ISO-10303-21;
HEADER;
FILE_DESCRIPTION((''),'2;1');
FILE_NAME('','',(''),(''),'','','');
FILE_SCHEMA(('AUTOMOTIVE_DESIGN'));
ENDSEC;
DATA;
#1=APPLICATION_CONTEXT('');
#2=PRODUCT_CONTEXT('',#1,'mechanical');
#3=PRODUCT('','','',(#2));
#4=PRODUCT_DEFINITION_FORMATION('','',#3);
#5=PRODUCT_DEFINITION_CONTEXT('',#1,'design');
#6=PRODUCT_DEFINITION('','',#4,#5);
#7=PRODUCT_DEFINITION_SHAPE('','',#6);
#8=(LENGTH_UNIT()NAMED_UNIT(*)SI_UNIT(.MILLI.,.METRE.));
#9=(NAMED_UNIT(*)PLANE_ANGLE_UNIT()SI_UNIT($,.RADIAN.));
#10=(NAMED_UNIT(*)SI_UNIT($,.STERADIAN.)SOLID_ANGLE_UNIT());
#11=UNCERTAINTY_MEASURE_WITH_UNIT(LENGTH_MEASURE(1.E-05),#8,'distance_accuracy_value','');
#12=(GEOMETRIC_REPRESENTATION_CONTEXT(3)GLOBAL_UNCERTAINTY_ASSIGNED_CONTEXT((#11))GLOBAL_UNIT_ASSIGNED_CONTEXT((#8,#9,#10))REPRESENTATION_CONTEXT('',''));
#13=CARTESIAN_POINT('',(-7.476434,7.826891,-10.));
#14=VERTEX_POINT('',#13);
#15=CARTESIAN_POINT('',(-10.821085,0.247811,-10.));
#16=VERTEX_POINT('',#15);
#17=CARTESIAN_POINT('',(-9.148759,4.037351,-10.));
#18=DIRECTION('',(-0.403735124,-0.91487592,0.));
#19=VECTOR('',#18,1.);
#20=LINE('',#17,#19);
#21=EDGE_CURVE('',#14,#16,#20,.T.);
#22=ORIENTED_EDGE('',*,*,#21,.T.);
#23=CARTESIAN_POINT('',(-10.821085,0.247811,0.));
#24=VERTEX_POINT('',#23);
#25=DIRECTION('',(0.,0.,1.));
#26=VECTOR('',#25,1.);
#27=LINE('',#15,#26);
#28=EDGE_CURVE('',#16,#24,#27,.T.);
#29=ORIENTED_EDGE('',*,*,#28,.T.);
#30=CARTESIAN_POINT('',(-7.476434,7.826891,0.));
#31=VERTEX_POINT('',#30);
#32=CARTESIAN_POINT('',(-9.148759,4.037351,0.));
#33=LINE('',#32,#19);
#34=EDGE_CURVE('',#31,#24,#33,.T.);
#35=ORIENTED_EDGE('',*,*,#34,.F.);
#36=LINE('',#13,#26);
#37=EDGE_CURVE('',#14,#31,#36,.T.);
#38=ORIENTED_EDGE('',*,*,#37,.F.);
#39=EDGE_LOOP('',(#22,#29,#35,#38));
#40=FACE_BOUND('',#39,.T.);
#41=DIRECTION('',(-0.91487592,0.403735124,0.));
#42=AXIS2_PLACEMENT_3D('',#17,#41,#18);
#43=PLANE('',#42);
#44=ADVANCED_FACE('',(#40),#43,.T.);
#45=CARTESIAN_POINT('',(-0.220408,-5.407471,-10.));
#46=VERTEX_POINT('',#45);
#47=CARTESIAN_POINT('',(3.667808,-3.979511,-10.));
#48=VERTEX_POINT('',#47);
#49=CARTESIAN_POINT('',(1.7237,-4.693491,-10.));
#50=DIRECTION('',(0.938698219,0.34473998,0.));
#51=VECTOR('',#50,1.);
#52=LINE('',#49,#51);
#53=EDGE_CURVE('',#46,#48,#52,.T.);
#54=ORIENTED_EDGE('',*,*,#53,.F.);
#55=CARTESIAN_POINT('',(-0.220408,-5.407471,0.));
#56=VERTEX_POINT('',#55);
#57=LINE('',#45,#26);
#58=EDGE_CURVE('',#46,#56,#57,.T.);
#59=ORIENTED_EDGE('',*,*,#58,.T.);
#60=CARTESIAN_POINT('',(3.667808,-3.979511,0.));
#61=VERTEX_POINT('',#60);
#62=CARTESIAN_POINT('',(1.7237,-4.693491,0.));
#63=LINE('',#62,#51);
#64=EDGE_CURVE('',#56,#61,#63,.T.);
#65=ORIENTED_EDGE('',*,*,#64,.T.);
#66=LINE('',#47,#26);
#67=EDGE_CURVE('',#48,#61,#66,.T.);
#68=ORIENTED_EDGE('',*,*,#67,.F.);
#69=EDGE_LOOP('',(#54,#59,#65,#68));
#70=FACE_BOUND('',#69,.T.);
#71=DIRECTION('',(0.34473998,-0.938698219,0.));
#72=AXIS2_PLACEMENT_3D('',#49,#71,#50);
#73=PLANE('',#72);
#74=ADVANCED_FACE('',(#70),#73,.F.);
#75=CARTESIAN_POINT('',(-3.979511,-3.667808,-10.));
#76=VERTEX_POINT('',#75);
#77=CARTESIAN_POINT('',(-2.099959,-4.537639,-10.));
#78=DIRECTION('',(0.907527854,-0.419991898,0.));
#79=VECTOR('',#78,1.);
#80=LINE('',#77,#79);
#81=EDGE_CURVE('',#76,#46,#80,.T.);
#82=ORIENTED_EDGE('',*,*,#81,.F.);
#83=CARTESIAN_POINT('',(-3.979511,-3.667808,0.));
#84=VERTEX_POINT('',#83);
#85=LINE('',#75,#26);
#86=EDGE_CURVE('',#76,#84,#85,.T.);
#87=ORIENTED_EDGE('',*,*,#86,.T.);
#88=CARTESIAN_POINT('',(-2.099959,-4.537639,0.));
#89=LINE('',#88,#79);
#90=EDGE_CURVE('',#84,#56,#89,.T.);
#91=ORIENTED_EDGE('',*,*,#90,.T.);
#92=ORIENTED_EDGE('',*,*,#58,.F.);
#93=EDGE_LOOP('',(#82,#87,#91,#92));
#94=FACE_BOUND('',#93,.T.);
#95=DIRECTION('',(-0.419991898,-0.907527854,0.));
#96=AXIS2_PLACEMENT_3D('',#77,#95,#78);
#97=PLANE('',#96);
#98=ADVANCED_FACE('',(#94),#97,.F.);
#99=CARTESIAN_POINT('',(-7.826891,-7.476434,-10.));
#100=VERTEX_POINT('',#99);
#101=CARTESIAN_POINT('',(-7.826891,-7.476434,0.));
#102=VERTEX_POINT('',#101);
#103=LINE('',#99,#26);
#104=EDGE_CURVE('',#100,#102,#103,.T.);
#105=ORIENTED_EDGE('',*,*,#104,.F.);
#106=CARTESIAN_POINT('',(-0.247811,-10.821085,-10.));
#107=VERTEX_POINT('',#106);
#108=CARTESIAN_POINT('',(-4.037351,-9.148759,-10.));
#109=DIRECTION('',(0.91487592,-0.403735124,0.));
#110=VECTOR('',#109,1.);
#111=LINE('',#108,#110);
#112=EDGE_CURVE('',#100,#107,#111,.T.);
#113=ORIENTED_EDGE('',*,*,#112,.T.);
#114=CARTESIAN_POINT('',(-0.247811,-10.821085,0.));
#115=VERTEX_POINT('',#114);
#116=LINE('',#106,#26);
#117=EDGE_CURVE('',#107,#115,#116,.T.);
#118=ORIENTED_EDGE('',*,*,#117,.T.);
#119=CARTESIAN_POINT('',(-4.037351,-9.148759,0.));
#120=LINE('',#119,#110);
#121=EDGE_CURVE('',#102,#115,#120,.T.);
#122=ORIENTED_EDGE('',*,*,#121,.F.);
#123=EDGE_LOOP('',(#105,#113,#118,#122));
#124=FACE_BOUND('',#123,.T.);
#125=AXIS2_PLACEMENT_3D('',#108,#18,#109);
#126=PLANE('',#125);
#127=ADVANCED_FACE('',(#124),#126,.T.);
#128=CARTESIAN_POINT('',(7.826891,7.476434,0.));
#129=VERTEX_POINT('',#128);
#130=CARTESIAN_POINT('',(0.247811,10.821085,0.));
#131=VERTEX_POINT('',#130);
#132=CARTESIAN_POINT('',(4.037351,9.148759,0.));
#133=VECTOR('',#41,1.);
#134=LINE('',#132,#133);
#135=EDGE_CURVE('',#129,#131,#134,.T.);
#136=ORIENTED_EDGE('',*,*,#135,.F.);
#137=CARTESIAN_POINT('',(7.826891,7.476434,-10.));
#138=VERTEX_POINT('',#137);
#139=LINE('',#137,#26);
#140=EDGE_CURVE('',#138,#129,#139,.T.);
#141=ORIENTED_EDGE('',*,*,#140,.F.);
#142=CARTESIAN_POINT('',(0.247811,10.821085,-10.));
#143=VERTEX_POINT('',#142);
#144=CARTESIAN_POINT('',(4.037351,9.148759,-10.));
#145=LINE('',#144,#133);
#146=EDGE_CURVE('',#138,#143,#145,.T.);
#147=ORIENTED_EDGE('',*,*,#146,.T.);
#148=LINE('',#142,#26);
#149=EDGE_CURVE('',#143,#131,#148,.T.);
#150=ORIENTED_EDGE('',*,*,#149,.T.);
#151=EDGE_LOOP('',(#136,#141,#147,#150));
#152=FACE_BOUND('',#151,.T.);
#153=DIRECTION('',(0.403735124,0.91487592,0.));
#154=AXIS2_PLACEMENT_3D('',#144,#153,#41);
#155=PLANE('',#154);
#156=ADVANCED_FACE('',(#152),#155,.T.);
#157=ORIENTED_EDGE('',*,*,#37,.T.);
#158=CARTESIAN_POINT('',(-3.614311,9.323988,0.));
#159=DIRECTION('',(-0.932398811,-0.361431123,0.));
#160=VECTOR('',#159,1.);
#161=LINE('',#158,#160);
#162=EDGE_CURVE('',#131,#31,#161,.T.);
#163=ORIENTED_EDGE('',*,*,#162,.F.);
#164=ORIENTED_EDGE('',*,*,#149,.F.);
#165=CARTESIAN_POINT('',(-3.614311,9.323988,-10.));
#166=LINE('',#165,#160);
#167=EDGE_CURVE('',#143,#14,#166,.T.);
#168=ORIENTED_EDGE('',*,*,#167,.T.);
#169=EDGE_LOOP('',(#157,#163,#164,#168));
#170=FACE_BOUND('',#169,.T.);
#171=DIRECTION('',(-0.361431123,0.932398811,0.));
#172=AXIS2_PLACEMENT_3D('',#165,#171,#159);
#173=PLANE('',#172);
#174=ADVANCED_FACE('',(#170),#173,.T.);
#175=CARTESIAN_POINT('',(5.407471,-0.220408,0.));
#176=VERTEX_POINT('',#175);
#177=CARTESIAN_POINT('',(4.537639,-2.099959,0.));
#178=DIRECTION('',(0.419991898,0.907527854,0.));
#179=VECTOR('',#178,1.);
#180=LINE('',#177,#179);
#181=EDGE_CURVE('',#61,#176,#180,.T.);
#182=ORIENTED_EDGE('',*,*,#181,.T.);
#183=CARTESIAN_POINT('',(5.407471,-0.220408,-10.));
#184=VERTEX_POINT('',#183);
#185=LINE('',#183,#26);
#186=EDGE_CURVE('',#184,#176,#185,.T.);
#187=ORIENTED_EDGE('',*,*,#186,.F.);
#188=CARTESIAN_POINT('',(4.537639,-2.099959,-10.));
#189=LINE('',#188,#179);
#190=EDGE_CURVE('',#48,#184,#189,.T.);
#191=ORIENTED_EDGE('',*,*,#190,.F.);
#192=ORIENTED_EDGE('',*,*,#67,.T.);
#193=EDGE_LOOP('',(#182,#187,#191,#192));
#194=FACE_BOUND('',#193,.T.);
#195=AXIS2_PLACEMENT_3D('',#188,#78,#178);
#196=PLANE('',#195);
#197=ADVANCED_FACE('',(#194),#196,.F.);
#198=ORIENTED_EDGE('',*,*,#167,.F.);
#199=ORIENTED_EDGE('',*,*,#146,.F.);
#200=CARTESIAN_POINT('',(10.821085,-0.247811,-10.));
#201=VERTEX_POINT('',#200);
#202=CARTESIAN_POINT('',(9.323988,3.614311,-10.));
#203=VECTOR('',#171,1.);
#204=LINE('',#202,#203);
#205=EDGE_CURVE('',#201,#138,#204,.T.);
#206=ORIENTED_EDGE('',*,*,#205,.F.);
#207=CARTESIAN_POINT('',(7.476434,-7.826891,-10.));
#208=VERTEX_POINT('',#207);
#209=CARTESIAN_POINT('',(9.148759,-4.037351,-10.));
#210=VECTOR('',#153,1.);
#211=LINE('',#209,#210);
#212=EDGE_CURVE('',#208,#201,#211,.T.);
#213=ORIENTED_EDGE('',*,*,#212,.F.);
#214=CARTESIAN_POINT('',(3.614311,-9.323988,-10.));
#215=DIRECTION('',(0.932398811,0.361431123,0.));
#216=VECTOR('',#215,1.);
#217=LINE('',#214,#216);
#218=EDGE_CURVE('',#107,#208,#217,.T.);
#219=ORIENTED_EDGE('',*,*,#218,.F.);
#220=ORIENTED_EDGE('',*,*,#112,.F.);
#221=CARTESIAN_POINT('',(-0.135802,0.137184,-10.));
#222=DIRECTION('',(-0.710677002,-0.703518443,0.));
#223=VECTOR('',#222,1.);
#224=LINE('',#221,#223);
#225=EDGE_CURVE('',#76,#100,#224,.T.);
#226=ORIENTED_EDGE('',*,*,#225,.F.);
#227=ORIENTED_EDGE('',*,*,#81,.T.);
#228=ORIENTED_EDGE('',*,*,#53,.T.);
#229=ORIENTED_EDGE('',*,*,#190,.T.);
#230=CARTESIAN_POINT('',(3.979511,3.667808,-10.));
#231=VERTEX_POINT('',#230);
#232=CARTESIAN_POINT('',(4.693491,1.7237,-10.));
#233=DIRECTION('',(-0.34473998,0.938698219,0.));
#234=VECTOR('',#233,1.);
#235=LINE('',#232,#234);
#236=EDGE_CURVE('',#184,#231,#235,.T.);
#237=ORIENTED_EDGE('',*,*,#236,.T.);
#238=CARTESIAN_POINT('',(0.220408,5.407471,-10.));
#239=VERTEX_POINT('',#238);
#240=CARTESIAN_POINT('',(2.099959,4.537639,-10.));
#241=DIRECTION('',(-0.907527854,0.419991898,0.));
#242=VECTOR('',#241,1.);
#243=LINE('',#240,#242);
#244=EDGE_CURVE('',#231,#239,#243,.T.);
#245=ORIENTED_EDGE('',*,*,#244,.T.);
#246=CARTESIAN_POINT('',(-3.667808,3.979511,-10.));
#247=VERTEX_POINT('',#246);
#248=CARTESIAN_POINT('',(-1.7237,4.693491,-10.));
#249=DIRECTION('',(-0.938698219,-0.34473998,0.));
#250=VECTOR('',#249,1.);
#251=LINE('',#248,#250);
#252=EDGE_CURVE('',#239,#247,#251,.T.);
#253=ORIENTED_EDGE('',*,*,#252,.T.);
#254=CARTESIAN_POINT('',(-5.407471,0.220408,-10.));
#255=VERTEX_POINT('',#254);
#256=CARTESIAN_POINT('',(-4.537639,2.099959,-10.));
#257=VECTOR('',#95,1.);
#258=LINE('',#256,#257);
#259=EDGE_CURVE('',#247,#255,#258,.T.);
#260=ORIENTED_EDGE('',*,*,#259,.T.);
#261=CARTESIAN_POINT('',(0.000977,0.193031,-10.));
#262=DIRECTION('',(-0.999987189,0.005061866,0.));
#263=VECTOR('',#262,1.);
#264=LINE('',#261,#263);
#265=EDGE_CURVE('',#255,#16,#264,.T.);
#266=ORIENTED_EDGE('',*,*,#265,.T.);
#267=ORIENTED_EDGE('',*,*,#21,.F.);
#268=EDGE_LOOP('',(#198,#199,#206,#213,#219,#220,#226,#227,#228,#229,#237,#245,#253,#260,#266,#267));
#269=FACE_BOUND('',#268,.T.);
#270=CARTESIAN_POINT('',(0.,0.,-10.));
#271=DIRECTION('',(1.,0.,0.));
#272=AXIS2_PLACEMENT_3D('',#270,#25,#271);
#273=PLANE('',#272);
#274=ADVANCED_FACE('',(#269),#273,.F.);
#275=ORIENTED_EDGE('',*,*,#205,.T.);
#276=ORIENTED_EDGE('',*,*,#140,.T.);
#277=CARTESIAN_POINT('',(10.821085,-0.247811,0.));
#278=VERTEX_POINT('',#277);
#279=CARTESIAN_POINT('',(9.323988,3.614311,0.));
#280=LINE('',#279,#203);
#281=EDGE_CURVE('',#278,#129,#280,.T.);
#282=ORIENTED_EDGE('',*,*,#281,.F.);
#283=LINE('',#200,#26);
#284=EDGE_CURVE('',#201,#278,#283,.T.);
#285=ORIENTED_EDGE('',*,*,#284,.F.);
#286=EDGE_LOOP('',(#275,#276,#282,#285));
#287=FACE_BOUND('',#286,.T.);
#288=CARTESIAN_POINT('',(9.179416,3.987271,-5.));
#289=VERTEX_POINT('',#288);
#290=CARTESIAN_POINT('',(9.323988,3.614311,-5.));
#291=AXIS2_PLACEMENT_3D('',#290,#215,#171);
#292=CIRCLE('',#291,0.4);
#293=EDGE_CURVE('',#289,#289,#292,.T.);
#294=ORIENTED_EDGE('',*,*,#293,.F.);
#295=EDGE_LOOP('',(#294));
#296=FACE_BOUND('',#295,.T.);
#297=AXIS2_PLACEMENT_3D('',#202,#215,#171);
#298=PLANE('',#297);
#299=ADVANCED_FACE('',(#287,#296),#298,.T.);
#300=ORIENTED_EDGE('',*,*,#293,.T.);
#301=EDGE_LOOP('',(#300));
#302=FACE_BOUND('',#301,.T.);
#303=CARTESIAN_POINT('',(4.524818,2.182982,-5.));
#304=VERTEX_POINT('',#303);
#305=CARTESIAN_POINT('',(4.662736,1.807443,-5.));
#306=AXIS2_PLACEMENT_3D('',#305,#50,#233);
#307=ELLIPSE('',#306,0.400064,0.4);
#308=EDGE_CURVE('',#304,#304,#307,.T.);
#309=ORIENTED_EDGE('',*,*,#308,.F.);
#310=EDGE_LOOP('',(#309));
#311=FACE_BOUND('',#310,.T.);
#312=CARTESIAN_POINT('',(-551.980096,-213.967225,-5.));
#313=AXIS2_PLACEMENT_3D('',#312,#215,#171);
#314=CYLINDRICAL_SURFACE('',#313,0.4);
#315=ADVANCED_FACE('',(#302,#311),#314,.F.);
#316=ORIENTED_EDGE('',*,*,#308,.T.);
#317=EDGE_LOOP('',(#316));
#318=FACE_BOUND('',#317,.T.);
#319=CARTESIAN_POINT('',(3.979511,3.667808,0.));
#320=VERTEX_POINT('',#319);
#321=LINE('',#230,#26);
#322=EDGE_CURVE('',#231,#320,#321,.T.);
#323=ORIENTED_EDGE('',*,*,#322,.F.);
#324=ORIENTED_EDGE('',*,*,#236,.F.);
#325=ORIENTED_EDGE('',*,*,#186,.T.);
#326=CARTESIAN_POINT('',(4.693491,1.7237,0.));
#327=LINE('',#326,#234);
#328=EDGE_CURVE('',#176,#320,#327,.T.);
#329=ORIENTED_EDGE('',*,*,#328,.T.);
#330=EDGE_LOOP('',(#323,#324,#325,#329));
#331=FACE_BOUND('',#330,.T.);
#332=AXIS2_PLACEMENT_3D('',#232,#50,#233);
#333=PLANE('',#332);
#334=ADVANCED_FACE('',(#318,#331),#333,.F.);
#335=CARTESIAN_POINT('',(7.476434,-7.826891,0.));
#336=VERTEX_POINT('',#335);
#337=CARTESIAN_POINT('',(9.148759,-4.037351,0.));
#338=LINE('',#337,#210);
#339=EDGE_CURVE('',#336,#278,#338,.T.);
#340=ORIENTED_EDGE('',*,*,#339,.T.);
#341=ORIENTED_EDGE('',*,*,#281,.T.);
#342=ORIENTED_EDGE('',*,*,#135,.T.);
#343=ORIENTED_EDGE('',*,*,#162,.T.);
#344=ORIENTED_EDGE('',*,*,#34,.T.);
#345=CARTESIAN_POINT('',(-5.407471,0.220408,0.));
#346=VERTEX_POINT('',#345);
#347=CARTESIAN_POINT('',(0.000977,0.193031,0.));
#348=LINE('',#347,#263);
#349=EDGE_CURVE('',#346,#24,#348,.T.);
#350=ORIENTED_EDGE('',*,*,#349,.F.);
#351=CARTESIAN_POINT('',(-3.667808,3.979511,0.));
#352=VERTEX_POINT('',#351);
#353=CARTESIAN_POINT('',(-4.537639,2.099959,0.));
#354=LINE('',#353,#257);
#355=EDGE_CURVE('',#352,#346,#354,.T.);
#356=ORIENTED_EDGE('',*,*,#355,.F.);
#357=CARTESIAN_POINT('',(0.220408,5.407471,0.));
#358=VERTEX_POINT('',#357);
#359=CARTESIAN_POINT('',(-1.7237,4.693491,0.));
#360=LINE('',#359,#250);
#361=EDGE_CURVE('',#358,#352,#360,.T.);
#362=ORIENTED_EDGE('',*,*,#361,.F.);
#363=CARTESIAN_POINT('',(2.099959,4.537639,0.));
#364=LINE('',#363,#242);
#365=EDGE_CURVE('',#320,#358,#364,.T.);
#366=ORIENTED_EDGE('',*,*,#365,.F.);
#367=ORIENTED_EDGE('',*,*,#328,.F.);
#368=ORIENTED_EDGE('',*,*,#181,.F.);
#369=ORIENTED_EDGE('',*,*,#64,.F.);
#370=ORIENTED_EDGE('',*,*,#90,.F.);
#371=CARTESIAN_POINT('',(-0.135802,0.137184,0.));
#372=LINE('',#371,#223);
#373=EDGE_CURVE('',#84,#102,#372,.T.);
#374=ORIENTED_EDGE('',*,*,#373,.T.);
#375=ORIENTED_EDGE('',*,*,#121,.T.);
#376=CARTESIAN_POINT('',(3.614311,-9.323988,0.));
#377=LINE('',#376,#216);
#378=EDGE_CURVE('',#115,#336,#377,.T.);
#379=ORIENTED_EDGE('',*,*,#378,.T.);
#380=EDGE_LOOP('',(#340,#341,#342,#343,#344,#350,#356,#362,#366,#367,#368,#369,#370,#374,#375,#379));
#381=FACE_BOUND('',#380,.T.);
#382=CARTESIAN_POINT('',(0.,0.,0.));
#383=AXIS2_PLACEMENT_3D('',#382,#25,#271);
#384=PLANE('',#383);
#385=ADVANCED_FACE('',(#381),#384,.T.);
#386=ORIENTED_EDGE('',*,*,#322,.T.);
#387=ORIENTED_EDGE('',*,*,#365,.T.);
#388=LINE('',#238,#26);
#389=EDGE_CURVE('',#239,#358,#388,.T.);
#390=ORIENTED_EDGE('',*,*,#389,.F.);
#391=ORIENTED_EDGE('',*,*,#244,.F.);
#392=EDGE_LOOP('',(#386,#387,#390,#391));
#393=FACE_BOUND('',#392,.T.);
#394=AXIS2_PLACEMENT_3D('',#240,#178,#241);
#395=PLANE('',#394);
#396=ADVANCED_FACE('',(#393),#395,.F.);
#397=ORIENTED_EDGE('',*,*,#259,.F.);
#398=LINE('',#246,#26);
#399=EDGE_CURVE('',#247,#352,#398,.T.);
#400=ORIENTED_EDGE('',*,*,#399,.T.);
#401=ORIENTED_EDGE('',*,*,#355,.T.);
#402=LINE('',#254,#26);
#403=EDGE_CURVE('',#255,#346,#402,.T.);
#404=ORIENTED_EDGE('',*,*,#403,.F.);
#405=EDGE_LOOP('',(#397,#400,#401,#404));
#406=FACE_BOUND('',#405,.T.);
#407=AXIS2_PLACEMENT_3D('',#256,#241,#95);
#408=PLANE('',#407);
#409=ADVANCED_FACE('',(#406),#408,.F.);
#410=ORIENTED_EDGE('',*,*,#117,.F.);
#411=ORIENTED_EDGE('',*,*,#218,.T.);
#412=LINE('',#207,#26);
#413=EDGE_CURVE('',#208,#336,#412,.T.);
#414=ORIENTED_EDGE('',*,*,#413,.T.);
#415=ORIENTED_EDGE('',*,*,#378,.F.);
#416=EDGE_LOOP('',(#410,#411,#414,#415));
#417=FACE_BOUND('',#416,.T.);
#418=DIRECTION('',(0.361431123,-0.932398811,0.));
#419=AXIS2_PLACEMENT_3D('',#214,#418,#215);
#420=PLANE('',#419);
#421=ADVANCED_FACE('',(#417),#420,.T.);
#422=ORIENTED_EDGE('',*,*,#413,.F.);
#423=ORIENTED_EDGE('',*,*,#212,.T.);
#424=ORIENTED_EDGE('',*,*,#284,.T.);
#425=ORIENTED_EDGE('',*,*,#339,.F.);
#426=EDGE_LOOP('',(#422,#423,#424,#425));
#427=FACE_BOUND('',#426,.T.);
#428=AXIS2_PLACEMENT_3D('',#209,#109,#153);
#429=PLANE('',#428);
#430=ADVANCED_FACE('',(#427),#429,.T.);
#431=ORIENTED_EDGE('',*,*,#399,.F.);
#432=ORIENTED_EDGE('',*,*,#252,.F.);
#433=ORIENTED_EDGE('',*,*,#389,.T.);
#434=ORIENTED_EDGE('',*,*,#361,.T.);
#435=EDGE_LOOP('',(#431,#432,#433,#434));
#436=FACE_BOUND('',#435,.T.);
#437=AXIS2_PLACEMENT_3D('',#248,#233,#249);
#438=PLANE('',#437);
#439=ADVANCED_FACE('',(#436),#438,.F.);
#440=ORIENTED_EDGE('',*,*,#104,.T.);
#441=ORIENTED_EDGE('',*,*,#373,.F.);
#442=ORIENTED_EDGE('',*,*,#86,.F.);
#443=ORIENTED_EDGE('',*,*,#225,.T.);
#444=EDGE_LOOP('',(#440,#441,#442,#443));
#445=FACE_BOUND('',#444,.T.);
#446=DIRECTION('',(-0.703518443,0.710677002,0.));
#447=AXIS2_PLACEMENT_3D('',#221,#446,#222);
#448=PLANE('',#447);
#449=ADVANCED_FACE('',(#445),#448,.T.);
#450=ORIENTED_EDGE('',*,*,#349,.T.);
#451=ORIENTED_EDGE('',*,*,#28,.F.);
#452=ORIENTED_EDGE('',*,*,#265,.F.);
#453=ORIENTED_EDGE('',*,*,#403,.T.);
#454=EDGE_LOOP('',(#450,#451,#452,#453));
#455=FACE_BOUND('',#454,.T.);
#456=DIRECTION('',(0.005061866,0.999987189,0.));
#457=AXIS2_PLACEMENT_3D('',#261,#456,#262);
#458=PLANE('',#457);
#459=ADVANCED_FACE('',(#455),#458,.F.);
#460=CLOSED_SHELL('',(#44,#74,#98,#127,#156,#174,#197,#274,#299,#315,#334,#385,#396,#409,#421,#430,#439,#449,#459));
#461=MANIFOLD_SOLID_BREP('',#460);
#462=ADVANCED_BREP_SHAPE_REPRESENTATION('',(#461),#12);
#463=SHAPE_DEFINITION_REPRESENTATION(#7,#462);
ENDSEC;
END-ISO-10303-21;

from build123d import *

# Parameters (mm, degrees)
BOSS_EXTRUDE1_DEPTH = 10
SKETCH2_R           = 0.4
CUT_EXTRUDE1_DEPTH  = 602


with BuildPart() as part:
    # Sketch1 → Boss-Extrude1 (new body)
    with BuildSketch(Plane.XY):
        Polygon((-3.979511218, -3.667807567), (-0.220407765, -5.407470971), (3.667807567, -3.979511218), (5.407470971, -0.220407765), (3.979511218, 3.667807567), (0.220407765, 5.407470971), (-3.667807567, 3.979511218), (-5.407470971, 0.220407765), (-10.821084843, 0.247811103), (-7.476433561, 7.826891384), (0.247811103, 10.821084843), (7.826891384, 7.476433561), (10.821084843, -0.247811103), (7.476433561, -7.826891384), (-0.247811103, -10.821084843), (-7.826891384, -7.476433561), align=None)
    extrude(amount=-BOSS_EXTRUDE1_DEPTH)

    # Sketch2 → Cut-Extrude1 (cut)
    with BuildSketch(Plane(origin=(9.323988114, 3.614311229, 0), x_dir=(0, 0, -1), z_dir=(0.9323988113551661, 0.361431122876093, 0))):
        with Locations(Location((5, 0, 0), (0, 0, 90))):
            Circle(SKETCH2_R)
    extrude(amount=-CUT_EXTRUDE1_DEPTH, mode=Mode.SUBTRACT)


solid = part.part
